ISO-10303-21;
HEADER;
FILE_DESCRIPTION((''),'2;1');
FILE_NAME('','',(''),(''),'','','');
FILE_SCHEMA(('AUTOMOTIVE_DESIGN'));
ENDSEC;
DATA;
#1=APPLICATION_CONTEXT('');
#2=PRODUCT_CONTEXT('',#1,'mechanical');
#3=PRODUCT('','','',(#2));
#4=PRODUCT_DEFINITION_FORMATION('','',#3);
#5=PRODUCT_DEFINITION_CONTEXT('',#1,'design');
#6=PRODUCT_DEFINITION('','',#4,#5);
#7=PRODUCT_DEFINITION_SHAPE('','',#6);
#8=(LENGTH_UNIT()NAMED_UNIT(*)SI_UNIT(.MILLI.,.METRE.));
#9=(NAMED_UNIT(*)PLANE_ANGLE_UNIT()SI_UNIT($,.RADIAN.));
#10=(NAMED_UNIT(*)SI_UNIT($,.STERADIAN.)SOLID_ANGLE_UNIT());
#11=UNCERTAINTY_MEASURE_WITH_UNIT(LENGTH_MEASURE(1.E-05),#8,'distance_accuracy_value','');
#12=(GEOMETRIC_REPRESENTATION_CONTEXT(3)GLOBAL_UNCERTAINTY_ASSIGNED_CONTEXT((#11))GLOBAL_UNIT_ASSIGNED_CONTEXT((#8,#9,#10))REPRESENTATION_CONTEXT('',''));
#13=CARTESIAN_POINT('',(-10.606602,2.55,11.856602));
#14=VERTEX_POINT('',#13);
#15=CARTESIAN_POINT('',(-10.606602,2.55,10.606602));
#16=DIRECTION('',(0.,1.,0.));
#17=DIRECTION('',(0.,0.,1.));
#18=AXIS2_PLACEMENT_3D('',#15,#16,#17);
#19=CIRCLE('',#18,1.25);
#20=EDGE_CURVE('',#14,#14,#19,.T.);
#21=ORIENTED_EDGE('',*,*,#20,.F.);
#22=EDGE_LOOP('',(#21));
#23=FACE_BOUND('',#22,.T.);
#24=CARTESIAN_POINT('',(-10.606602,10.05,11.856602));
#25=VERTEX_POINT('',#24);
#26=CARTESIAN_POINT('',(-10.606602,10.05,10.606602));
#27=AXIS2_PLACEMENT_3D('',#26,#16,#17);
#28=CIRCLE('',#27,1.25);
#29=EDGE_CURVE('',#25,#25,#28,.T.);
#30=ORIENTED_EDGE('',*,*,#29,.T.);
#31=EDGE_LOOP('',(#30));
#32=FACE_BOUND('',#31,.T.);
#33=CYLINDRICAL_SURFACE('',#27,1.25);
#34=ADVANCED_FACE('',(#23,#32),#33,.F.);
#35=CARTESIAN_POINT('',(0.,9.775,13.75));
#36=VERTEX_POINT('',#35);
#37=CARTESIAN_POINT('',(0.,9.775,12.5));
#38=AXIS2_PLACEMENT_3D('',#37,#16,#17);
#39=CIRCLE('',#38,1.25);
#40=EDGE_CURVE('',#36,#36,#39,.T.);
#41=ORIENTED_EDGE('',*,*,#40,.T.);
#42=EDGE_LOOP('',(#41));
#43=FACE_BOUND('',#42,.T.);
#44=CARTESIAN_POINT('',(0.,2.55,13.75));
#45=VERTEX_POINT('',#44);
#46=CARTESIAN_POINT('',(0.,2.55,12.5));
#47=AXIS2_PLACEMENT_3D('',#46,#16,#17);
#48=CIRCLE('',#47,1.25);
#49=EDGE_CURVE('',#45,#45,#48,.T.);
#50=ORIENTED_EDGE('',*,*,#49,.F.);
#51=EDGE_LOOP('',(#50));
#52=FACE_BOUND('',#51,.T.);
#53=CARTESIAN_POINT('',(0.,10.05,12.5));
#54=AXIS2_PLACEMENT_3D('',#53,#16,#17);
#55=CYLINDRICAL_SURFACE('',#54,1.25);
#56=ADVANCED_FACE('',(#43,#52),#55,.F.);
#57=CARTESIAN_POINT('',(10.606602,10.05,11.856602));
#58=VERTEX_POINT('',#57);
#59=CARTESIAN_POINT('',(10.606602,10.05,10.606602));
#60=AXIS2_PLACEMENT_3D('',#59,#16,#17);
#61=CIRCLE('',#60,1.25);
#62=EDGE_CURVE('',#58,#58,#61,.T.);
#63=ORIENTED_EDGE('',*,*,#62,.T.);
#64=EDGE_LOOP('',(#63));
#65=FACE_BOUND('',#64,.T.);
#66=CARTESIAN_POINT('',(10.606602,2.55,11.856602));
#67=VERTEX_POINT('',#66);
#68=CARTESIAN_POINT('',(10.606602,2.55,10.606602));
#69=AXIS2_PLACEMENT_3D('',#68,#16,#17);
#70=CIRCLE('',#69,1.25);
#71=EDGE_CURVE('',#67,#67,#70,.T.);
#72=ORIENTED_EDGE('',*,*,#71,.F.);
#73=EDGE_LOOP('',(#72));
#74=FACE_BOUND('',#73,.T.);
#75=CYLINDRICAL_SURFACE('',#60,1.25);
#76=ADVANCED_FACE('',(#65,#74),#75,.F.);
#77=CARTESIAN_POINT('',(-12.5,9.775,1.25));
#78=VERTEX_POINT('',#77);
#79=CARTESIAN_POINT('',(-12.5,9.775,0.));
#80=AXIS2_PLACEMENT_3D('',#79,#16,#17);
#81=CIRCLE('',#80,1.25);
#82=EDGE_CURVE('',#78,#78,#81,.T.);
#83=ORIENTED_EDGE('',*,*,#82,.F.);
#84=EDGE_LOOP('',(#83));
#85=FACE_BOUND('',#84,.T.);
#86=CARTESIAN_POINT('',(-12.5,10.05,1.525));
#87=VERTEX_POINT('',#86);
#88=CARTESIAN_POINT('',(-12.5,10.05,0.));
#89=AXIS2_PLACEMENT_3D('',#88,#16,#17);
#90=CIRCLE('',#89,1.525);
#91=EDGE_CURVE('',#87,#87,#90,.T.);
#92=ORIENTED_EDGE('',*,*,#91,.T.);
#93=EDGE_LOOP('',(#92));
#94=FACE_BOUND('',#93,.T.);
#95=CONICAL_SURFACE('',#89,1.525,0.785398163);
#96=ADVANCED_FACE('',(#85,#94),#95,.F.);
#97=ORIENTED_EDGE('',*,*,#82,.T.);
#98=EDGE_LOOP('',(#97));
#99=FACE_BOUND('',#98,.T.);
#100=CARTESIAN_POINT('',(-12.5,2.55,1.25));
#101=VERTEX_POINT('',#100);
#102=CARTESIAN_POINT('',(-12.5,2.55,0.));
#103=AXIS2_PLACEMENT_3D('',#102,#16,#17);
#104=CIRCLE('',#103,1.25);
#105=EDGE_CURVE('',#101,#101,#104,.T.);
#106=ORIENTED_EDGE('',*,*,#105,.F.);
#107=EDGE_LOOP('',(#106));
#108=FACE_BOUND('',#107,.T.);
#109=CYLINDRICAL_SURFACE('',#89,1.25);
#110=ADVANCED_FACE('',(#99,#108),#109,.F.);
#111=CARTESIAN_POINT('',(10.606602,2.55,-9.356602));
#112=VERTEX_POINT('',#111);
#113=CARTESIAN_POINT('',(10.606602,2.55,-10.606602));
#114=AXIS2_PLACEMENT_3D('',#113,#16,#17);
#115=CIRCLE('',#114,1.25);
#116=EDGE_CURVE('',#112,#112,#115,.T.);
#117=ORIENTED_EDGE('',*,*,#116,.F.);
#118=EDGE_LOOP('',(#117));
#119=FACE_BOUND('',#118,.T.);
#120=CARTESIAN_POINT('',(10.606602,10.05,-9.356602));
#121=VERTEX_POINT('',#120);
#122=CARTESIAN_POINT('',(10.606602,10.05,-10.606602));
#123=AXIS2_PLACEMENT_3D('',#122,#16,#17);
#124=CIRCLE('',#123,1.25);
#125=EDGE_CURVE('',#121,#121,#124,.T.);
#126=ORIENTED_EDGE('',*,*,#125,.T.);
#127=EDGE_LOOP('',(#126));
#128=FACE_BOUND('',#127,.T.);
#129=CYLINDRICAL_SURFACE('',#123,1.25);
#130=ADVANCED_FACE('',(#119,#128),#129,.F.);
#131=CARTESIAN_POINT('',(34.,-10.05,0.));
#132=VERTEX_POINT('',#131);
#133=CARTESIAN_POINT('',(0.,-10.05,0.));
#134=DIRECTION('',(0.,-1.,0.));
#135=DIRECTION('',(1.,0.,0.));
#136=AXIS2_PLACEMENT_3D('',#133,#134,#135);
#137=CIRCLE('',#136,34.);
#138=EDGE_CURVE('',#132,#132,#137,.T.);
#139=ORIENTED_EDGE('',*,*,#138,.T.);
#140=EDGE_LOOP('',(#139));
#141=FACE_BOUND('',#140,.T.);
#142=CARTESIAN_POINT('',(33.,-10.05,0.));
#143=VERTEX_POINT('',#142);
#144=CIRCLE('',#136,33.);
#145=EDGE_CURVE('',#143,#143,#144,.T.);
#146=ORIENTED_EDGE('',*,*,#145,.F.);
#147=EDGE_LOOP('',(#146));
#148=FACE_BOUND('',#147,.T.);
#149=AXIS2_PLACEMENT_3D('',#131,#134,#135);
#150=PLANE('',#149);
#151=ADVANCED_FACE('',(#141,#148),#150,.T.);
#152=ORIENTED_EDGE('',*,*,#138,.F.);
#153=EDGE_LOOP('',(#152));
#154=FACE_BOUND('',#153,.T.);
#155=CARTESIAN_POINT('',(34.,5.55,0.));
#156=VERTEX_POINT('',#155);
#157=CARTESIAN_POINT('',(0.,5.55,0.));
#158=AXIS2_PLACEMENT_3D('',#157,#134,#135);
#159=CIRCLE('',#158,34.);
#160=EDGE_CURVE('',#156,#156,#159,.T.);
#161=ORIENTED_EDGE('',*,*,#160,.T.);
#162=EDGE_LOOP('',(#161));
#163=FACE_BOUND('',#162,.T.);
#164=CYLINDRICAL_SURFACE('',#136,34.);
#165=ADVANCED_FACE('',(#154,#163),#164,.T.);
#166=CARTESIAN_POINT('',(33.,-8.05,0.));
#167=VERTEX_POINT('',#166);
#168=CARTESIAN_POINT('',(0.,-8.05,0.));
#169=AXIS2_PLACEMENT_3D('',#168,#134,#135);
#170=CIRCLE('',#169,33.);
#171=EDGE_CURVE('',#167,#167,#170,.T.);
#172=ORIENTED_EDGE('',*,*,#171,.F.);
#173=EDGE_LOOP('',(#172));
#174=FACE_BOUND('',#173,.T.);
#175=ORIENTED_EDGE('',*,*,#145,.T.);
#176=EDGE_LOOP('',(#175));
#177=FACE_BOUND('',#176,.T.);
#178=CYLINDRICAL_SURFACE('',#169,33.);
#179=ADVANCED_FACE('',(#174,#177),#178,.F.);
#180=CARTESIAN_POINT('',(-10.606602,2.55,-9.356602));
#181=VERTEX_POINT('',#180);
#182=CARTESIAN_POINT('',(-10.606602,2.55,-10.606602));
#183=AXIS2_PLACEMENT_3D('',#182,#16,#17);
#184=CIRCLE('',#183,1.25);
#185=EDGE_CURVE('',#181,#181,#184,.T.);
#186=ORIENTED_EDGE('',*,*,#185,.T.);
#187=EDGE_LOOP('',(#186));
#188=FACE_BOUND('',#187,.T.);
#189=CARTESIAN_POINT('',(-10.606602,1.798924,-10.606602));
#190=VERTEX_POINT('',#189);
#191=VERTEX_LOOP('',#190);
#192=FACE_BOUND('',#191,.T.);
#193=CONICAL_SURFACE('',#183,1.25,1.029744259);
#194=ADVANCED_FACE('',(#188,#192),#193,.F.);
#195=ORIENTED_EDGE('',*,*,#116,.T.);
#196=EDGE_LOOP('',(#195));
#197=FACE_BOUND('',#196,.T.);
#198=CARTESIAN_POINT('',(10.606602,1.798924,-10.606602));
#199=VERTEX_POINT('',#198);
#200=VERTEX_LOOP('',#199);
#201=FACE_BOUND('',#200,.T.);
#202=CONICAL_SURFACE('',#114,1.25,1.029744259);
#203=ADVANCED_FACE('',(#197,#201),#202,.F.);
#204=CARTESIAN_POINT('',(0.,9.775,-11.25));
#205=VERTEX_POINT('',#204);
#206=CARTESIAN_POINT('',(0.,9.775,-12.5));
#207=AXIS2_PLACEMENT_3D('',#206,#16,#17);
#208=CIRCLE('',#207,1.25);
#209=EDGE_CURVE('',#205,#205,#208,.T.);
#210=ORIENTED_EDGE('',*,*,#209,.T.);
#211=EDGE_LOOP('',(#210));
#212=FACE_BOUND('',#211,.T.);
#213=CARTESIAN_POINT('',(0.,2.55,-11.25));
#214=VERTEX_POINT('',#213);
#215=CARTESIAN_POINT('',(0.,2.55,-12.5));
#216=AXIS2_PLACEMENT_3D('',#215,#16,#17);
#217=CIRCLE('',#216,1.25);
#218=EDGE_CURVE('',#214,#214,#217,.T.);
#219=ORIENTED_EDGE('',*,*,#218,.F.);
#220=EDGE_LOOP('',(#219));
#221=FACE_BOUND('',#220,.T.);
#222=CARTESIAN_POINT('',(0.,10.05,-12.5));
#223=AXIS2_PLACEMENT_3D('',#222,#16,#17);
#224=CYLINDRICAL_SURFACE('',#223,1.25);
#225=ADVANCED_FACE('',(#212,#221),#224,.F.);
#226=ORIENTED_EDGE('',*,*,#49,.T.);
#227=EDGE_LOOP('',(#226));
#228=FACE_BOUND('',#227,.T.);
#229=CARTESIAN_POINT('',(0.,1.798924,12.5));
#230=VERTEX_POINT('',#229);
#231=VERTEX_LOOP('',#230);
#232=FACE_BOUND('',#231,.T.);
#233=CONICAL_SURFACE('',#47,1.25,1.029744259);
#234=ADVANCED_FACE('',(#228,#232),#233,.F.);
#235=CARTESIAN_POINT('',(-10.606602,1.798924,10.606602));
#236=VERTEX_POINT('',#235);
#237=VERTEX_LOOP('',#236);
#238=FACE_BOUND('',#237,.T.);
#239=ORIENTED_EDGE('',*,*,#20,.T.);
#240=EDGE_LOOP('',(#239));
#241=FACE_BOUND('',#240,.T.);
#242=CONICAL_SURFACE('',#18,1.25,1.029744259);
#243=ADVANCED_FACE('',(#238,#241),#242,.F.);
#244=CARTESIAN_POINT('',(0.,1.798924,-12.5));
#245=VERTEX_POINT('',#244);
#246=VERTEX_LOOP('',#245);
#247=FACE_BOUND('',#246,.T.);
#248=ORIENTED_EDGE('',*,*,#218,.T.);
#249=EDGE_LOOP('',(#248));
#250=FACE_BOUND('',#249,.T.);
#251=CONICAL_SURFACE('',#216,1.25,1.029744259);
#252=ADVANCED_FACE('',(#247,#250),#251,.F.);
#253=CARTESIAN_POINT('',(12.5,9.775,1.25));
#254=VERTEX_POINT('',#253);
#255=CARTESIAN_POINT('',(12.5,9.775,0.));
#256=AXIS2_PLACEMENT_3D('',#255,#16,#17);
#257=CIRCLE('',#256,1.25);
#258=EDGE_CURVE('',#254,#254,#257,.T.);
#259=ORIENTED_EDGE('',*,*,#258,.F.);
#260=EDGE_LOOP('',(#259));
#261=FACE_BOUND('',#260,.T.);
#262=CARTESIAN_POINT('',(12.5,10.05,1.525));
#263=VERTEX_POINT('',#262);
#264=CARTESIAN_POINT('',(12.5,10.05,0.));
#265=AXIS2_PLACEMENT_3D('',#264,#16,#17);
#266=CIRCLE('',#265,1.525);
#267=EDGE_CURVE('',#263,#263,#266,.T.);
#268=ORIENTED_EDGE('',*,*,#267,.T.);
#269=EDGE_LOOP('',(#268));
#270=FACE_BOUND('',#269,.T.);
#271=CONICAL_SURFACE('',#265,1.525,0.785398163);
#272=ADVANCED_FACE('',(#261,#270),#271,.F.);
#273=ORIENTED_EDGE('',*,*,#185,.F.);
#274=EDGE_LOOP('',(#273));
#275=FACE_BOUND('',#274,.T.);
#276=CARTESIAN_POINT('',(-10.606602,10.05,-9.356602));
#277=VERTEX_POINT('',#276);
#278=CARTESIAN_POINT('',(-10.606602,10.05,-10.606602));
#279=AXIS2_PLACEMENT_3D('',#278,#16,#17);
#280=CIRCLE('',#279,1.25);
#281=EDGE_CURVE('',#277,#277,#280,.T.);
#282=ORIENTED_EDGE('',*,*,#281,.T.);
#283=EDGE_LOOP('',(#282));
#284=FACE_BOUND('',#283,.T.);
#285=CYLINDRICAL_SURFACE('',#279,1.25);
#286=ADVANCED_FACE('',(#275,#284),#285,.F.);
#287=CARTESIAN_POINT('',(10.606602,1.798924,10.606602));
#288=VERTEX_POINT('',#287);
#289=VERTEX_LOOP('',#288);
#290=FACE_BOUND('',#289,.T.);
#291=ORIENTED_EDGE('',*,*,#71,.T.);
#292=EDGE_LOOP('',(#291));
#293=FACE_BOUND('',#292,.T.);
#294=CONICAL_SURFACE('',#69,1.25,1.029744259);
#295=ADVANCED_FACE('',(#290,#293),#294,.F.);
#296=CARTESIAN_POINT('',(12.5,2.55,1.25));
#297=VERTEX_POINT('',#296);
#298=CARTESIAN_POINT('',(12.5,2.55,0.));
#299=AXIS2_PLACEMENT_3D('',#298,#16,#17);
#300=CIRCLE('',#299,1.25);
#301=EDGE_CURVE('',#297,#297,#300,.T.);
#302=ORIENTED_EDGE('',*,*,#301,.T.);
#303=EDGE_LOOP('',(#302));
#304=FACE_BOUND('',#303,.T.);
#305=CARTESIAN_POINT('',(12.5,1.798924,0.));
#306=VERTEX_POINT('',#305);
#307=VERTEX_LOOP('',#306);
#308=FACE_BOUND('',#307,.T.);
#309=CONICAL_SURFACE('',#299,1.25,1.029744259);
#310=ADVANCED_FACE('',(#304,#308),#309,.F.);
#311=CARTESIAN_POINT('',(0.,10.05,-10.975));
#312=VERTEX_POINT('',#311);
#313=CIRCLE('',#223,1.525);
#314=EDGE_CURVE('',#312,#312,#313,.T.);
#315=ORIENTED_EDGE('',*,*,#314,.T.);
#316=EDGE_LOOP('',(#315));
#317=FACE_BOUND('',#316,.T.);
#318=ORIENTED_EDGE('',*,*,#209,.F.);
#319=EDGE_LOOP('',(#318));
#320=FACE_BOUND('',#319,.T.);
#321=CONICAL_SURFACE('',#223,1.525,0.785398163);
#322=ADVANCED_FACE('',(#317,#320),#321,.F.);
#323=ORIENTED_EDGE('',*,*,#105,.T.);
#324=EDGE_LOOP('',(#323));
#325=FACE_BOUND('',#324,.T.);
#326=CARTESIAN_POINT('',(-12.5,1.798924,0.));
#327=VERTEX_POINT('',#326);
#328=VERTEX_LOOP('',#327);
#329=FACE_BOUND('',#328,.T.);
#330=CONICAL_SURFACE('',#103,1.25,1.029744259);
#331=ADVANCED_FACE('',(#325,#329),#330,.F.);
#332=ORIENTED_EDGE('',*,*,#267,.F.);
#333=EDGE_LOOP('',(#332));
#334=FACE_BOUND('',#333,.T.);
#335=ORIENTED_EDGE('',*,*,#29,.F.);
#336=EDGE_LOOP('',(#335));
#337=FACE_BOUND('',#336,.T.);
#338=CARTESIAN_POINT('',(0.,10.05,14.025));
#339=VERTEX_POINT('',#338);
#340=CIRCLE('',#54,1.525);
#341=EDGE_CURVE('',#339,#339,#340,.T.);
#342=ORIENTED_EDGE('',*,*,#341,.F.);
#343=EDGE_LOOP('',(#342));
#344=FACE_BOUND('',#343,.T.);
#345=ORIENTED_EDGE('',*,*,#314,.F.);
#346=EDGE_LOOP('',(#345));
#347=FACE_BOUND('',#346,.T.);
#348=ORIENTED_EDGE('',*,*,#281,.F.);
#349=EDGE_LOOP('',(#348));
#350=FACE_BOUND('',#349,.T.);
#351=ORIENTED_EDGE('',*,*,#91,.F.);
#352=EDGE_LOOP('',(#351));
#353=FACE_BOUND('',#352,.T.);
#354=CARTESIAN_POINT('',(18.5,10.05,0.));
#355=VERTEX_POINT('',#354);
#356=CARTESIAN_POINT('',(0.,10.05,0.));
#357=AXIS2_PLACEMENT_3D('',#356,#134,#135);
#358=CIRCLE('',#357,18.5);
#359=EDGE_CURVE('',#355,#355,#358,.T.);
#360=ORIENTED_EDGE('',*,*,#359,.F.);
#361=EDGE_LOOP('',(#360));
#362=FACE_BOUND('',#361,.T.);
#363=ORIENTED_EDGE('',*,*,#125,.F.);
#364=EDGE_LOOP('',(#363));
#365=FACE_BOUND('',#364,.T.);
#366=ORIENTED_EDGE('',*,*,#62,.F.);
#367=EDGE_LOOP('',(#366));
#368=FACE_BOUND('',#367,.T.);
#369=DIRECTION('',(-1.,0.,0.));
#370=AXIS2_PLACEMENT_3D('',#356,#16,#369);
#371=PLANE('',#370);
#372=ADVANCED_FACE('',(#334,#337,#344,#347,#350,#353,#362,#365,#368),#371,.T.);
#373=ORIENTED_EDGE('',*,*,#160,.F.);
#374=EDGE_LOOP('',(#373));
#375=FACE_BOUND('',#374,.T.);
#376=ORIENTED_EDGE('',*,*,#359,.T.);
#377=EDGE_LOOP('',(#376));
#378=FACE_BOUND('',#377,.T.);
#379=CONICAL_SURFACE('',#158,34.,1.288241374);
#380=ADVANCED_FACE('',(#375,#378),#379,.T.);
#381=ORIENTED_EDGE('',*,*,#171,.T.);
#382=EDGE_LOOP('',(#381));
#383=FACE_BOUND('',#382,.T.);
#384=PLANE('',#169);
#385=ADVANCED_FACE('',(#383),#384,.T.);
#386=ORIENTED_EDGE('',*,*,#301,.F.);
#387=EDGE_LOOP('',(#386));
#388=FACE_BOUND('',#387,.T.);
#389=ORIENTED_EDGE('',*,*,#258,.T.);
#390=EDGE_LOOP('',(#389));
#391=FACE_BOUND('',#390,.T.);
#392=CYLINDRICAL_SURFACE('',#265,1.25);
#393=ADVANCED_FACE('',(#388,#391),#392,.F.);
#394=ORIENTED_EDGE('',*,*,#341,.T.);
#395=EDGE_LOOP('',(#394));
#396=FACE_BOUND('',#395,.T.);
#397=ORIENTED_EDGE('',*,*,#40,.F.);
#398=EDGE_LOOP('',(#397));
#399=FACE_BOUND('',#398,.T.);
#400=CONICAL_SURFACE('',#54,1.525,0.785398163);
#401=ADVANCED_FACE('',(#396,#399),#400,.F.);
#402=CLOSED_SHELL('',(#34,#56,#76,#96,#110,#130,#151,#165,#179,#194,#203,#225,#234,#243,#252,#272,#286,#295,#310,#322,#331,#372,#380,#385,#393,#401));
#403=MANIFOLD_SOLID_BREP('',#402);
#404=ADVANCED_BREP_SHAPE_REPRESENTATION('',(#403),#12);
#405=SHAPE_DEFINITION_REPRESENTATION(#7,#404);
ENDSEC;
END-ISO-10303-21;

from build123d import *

# Parameters (mm, degrees)
SKETCH4_R                       = 33
CUT_EXTRUDE1_DEPTH              = 2
M3X0_5_TAPPED_HOLE1_D           = 2.5
M3X0_5_TAPPED_HOLE1_DEPTH       = 7.5
M3X0_5_TAPPED_HOLE1_TIP         = 0.751075774
M3X0_5_TAPPED_HOLE2_D           = 2.5
M3X0_5_TAPPED_HOLE2_DEPTH       = 7.5
M3X0_5_TAPPED_HOLE2_CSINK_D     = 3.05
M3X0_5_TAPPED_HOLE2_CSINK_ANGLE = 90
M3X0_5_TAPPED_HOLE2_TIP         = 0.751075774


with BuildPart() as part:
    # Sketch3 → Revolve1 (revolve)
    with BuildSketch(Plane.XY):
        Polygon((0, -10.05), (0, 10.05), (18.5, 10.05), (34, 5.55), (34, -10.05), align=None)
    revolve(axis=Axis((0, -10.05, 0), (0, 1, 0)))

    # Sketch4 → Cut-Extrude1 (cut)
    with BuildSketch(Plane.XZ.offset(10.05)):
        Circle(SKETCH4_R)
    extrude(amount=-CUT_EXTRUDE1_DEPTH, mode=Mode.SUBTRACT)

    # M3x0.5 Tapped Hole1
    with Locations(Plane(origin=(0, 10.05, 0), x_dir=(1, 0, 0), z_dir=(0, 1, 0))):
        with Locations((-10.606601718, 10.606601718), (10.606601718, 10.606601718), (10.606601718, -10.606601718), (-10.606601718, -10.606601718)):
            Hole(M3X0_5_TAPPED_HOLE1_D / 2, depth=M3X0_5_TAPPED_HOLE1_DEPTH)
            with Locations((0, 0, -(M3X0_5_TAPPED_HOLE1_DEPTH + M3X0_5_TAPPED_HOLE1_TIP / 2))):  # 118° drill point
                Cone(0, M3X0_5_TAPPED_HOLE1_D / 2, M3X0_5_TAPPED_HOLE1_TIP, mode=Mode.SUBTRACT)

    # M3x0.5 Tapped Hole2
    with Locations(Plane(origin=(0, 10.05, 0), x_dir=(1, 0, 0), z_dir=(0, 1, 0))):
        with Locations((0, 12.5), (0, -12.5), (-12.5, 0), (12.5, 0)):
            CounterSinkHole(M3X0_5_TAPPED_HOLE2_D / 2, M3X0_5_TAPPED_HOLE2_CSINK_D / 2, depth=M3X0_5_TAPPED_HOLE2_DEPTH, counter_sink_angle=M3X0_5_TAPPED_HOLE2_CSINK_ANGLE)
            with Locations((0, 0, -(M3X0_5_TAPPED_HOLE2_DEPTH + M3X0_5_TAPPED_HOLE2_TIP / 2))):  # 118° drill point
                Cone(0, M3X0_5_TAPPED_HOLE2_D / 2, M3X0_5_TAPPED_HOLE2_TIP, mode=Mode.SUBTRACT)


solid = part.part
